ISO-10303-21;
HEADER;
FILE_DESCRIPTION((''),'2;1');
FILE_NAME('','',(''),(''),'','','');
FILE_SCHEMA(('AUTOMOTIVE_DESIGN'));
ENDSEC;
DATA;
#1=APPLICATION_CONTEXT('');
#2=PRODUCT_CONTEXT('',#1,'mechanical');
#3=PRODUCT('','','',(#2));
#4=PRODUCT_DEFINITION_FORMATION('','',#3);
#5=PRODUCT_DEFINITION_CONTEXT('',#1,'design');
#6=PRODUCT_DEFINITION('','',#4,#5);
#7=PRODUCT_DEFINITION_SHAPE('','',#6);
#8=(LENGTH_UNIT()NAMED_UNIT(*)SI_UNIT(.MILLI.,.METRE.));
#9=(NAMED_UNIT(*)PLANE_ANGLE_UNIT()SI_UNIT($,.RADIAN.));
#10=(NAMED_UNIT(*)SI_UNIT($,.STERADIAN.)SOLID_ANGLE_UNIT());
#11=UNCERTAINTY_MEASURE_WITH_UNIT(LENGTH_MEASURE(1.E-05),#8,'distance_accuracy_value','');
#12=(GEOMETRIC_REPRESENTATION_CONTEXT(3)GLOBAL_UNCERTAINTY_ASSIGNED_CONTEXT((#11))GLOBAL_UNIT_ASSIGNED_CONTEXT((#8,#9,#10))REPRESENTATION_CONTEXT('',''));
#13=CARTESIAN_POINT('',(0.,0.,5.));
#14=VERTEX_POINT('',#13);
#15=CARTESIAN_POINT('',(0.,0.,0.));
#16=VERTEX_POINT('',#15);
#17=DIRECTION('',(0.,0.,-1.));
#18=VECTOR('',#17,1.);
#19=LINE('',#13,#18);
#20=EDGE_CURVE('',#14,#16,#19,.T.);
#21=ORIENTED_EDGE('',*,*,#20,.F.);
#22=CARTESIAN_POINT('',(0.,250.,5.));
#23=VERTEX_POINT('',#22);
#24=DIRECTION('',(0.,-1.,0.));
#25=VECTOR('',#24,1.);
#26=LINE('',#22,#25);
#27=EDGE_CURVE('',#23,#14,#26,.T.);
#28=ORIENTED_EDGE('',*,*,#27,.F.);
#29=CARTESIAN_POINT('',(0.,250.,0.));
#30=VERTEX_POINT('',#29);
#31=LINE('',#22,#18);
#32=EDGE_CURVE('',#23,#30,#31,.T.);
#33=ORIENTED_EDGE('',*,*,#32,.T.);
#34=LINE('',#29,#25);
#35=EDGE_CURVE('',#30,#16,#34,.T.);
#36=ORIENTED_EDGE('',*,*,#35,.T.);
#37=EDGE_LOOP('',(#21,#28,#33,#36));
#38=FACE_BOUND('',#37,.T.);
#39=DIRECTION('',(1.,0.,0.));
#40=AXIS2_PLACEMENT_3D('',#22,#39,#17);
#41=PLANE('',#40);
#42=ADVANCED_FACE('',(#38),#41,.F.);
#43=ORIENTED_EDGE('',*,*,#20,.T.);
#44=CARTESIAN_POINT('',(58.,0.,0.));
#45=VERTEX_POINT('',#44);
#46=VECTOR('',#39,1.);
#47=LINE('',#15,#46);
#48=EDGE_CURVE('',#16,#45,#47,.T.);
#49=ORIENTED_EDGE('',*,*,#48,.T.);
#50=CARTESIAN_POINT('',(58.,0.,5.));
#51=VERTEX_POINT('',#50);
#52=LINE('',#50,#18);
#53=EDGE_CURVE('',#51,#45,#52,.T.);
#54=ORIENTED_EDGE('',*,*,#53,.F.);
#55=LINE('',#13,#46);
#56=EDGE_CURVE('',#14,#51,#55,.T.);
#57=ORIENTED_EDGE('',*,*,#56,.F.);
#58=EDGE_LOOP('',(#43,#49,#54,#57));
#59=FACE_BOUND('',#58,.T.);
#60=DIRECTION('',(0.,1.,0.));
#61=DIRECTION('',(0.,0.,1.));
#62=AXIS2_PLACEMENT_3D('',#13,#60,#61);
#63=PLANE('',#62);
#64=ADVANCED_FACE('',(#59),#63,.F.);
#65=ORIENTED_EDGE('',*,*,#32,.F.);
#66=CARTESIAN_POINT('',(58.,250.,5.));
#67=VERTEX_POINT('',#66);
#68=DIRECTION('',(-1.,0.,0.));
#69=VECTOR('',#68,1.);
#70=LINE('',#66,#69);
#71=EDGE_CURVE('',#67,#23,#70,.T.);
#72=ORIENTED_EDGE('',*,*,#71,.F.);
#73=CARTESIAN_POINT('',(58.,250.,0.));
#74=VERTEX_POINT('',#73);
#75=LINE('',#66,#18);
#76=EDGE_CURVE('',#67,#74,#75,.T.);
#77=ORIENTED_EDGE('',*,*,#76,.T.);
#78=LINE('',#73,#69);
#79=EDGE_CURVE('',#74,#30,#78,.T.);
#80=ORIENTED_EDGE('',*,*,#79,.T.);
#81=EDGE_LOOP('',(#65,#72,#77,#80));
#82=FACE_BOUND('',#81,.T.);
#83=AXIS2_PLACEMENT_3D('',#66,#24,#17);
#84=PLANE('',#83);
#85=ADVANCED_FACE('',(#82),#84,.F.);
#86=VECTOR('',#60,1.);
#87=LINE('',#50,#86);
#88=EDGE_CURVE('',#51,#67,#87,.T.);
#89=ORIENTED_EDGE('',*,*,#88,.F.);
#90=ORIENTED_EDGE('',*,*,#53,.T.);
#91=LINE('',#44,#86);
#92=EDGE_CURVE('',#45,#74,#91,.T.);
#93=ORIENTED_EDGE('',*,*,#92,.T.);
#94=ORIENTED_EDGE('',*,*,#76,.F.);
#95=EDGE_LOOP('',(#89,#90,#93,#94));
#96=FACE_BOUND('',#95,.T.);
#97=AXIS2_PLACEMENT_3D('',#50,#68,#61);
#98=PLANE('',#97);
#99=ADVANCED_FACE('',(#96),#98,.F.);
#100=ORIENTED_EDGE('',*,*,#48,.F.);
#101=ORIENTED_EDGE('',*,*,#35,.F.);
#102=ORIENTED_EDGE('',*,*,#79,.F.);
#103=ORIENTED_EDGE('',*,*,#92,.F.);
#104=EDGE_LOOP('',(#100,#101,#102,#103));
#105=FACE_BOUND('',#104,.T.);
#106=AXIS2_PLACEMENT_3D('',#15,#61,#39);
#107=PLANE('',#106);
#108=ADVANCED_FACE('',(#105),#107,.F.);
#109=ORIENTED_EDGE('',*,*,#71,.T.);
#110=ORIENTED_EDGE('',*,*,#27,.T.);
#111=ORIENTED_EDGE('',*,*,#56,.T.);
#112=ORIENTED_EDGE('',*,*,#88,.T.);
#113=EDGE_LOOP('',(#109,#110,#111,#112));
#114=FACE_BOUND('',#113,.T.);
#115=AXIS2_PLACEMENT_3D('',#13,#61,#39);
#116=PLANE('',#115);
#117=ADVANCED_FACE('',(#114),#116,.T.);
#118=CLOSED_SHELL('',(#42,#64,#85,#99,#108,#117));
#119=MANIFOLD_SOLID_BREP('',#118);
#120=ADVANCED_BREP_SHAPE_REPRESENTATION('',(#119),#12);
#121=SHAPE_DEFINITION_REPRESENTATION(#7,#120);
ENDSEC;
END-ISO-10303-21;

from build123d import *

# Parameters (mm, degrees)
ESQUISSE1_W        = 58
ESQUISSE1_H        = 250
BOSS_EXTRU_1_DEPTH = 5


with BuildPart() as part:
    # Esquisse1 → Boss.-Extru.1 (new body)
    with BuildSketch(Plane.XY):
        with Locations((29, 125)):
            Rectangle(ESQUISSE1_W, ESQUISSE1_H)
    extrude(amount=BOSS_EXTRU_1_DEPTH)


solid = part.part
